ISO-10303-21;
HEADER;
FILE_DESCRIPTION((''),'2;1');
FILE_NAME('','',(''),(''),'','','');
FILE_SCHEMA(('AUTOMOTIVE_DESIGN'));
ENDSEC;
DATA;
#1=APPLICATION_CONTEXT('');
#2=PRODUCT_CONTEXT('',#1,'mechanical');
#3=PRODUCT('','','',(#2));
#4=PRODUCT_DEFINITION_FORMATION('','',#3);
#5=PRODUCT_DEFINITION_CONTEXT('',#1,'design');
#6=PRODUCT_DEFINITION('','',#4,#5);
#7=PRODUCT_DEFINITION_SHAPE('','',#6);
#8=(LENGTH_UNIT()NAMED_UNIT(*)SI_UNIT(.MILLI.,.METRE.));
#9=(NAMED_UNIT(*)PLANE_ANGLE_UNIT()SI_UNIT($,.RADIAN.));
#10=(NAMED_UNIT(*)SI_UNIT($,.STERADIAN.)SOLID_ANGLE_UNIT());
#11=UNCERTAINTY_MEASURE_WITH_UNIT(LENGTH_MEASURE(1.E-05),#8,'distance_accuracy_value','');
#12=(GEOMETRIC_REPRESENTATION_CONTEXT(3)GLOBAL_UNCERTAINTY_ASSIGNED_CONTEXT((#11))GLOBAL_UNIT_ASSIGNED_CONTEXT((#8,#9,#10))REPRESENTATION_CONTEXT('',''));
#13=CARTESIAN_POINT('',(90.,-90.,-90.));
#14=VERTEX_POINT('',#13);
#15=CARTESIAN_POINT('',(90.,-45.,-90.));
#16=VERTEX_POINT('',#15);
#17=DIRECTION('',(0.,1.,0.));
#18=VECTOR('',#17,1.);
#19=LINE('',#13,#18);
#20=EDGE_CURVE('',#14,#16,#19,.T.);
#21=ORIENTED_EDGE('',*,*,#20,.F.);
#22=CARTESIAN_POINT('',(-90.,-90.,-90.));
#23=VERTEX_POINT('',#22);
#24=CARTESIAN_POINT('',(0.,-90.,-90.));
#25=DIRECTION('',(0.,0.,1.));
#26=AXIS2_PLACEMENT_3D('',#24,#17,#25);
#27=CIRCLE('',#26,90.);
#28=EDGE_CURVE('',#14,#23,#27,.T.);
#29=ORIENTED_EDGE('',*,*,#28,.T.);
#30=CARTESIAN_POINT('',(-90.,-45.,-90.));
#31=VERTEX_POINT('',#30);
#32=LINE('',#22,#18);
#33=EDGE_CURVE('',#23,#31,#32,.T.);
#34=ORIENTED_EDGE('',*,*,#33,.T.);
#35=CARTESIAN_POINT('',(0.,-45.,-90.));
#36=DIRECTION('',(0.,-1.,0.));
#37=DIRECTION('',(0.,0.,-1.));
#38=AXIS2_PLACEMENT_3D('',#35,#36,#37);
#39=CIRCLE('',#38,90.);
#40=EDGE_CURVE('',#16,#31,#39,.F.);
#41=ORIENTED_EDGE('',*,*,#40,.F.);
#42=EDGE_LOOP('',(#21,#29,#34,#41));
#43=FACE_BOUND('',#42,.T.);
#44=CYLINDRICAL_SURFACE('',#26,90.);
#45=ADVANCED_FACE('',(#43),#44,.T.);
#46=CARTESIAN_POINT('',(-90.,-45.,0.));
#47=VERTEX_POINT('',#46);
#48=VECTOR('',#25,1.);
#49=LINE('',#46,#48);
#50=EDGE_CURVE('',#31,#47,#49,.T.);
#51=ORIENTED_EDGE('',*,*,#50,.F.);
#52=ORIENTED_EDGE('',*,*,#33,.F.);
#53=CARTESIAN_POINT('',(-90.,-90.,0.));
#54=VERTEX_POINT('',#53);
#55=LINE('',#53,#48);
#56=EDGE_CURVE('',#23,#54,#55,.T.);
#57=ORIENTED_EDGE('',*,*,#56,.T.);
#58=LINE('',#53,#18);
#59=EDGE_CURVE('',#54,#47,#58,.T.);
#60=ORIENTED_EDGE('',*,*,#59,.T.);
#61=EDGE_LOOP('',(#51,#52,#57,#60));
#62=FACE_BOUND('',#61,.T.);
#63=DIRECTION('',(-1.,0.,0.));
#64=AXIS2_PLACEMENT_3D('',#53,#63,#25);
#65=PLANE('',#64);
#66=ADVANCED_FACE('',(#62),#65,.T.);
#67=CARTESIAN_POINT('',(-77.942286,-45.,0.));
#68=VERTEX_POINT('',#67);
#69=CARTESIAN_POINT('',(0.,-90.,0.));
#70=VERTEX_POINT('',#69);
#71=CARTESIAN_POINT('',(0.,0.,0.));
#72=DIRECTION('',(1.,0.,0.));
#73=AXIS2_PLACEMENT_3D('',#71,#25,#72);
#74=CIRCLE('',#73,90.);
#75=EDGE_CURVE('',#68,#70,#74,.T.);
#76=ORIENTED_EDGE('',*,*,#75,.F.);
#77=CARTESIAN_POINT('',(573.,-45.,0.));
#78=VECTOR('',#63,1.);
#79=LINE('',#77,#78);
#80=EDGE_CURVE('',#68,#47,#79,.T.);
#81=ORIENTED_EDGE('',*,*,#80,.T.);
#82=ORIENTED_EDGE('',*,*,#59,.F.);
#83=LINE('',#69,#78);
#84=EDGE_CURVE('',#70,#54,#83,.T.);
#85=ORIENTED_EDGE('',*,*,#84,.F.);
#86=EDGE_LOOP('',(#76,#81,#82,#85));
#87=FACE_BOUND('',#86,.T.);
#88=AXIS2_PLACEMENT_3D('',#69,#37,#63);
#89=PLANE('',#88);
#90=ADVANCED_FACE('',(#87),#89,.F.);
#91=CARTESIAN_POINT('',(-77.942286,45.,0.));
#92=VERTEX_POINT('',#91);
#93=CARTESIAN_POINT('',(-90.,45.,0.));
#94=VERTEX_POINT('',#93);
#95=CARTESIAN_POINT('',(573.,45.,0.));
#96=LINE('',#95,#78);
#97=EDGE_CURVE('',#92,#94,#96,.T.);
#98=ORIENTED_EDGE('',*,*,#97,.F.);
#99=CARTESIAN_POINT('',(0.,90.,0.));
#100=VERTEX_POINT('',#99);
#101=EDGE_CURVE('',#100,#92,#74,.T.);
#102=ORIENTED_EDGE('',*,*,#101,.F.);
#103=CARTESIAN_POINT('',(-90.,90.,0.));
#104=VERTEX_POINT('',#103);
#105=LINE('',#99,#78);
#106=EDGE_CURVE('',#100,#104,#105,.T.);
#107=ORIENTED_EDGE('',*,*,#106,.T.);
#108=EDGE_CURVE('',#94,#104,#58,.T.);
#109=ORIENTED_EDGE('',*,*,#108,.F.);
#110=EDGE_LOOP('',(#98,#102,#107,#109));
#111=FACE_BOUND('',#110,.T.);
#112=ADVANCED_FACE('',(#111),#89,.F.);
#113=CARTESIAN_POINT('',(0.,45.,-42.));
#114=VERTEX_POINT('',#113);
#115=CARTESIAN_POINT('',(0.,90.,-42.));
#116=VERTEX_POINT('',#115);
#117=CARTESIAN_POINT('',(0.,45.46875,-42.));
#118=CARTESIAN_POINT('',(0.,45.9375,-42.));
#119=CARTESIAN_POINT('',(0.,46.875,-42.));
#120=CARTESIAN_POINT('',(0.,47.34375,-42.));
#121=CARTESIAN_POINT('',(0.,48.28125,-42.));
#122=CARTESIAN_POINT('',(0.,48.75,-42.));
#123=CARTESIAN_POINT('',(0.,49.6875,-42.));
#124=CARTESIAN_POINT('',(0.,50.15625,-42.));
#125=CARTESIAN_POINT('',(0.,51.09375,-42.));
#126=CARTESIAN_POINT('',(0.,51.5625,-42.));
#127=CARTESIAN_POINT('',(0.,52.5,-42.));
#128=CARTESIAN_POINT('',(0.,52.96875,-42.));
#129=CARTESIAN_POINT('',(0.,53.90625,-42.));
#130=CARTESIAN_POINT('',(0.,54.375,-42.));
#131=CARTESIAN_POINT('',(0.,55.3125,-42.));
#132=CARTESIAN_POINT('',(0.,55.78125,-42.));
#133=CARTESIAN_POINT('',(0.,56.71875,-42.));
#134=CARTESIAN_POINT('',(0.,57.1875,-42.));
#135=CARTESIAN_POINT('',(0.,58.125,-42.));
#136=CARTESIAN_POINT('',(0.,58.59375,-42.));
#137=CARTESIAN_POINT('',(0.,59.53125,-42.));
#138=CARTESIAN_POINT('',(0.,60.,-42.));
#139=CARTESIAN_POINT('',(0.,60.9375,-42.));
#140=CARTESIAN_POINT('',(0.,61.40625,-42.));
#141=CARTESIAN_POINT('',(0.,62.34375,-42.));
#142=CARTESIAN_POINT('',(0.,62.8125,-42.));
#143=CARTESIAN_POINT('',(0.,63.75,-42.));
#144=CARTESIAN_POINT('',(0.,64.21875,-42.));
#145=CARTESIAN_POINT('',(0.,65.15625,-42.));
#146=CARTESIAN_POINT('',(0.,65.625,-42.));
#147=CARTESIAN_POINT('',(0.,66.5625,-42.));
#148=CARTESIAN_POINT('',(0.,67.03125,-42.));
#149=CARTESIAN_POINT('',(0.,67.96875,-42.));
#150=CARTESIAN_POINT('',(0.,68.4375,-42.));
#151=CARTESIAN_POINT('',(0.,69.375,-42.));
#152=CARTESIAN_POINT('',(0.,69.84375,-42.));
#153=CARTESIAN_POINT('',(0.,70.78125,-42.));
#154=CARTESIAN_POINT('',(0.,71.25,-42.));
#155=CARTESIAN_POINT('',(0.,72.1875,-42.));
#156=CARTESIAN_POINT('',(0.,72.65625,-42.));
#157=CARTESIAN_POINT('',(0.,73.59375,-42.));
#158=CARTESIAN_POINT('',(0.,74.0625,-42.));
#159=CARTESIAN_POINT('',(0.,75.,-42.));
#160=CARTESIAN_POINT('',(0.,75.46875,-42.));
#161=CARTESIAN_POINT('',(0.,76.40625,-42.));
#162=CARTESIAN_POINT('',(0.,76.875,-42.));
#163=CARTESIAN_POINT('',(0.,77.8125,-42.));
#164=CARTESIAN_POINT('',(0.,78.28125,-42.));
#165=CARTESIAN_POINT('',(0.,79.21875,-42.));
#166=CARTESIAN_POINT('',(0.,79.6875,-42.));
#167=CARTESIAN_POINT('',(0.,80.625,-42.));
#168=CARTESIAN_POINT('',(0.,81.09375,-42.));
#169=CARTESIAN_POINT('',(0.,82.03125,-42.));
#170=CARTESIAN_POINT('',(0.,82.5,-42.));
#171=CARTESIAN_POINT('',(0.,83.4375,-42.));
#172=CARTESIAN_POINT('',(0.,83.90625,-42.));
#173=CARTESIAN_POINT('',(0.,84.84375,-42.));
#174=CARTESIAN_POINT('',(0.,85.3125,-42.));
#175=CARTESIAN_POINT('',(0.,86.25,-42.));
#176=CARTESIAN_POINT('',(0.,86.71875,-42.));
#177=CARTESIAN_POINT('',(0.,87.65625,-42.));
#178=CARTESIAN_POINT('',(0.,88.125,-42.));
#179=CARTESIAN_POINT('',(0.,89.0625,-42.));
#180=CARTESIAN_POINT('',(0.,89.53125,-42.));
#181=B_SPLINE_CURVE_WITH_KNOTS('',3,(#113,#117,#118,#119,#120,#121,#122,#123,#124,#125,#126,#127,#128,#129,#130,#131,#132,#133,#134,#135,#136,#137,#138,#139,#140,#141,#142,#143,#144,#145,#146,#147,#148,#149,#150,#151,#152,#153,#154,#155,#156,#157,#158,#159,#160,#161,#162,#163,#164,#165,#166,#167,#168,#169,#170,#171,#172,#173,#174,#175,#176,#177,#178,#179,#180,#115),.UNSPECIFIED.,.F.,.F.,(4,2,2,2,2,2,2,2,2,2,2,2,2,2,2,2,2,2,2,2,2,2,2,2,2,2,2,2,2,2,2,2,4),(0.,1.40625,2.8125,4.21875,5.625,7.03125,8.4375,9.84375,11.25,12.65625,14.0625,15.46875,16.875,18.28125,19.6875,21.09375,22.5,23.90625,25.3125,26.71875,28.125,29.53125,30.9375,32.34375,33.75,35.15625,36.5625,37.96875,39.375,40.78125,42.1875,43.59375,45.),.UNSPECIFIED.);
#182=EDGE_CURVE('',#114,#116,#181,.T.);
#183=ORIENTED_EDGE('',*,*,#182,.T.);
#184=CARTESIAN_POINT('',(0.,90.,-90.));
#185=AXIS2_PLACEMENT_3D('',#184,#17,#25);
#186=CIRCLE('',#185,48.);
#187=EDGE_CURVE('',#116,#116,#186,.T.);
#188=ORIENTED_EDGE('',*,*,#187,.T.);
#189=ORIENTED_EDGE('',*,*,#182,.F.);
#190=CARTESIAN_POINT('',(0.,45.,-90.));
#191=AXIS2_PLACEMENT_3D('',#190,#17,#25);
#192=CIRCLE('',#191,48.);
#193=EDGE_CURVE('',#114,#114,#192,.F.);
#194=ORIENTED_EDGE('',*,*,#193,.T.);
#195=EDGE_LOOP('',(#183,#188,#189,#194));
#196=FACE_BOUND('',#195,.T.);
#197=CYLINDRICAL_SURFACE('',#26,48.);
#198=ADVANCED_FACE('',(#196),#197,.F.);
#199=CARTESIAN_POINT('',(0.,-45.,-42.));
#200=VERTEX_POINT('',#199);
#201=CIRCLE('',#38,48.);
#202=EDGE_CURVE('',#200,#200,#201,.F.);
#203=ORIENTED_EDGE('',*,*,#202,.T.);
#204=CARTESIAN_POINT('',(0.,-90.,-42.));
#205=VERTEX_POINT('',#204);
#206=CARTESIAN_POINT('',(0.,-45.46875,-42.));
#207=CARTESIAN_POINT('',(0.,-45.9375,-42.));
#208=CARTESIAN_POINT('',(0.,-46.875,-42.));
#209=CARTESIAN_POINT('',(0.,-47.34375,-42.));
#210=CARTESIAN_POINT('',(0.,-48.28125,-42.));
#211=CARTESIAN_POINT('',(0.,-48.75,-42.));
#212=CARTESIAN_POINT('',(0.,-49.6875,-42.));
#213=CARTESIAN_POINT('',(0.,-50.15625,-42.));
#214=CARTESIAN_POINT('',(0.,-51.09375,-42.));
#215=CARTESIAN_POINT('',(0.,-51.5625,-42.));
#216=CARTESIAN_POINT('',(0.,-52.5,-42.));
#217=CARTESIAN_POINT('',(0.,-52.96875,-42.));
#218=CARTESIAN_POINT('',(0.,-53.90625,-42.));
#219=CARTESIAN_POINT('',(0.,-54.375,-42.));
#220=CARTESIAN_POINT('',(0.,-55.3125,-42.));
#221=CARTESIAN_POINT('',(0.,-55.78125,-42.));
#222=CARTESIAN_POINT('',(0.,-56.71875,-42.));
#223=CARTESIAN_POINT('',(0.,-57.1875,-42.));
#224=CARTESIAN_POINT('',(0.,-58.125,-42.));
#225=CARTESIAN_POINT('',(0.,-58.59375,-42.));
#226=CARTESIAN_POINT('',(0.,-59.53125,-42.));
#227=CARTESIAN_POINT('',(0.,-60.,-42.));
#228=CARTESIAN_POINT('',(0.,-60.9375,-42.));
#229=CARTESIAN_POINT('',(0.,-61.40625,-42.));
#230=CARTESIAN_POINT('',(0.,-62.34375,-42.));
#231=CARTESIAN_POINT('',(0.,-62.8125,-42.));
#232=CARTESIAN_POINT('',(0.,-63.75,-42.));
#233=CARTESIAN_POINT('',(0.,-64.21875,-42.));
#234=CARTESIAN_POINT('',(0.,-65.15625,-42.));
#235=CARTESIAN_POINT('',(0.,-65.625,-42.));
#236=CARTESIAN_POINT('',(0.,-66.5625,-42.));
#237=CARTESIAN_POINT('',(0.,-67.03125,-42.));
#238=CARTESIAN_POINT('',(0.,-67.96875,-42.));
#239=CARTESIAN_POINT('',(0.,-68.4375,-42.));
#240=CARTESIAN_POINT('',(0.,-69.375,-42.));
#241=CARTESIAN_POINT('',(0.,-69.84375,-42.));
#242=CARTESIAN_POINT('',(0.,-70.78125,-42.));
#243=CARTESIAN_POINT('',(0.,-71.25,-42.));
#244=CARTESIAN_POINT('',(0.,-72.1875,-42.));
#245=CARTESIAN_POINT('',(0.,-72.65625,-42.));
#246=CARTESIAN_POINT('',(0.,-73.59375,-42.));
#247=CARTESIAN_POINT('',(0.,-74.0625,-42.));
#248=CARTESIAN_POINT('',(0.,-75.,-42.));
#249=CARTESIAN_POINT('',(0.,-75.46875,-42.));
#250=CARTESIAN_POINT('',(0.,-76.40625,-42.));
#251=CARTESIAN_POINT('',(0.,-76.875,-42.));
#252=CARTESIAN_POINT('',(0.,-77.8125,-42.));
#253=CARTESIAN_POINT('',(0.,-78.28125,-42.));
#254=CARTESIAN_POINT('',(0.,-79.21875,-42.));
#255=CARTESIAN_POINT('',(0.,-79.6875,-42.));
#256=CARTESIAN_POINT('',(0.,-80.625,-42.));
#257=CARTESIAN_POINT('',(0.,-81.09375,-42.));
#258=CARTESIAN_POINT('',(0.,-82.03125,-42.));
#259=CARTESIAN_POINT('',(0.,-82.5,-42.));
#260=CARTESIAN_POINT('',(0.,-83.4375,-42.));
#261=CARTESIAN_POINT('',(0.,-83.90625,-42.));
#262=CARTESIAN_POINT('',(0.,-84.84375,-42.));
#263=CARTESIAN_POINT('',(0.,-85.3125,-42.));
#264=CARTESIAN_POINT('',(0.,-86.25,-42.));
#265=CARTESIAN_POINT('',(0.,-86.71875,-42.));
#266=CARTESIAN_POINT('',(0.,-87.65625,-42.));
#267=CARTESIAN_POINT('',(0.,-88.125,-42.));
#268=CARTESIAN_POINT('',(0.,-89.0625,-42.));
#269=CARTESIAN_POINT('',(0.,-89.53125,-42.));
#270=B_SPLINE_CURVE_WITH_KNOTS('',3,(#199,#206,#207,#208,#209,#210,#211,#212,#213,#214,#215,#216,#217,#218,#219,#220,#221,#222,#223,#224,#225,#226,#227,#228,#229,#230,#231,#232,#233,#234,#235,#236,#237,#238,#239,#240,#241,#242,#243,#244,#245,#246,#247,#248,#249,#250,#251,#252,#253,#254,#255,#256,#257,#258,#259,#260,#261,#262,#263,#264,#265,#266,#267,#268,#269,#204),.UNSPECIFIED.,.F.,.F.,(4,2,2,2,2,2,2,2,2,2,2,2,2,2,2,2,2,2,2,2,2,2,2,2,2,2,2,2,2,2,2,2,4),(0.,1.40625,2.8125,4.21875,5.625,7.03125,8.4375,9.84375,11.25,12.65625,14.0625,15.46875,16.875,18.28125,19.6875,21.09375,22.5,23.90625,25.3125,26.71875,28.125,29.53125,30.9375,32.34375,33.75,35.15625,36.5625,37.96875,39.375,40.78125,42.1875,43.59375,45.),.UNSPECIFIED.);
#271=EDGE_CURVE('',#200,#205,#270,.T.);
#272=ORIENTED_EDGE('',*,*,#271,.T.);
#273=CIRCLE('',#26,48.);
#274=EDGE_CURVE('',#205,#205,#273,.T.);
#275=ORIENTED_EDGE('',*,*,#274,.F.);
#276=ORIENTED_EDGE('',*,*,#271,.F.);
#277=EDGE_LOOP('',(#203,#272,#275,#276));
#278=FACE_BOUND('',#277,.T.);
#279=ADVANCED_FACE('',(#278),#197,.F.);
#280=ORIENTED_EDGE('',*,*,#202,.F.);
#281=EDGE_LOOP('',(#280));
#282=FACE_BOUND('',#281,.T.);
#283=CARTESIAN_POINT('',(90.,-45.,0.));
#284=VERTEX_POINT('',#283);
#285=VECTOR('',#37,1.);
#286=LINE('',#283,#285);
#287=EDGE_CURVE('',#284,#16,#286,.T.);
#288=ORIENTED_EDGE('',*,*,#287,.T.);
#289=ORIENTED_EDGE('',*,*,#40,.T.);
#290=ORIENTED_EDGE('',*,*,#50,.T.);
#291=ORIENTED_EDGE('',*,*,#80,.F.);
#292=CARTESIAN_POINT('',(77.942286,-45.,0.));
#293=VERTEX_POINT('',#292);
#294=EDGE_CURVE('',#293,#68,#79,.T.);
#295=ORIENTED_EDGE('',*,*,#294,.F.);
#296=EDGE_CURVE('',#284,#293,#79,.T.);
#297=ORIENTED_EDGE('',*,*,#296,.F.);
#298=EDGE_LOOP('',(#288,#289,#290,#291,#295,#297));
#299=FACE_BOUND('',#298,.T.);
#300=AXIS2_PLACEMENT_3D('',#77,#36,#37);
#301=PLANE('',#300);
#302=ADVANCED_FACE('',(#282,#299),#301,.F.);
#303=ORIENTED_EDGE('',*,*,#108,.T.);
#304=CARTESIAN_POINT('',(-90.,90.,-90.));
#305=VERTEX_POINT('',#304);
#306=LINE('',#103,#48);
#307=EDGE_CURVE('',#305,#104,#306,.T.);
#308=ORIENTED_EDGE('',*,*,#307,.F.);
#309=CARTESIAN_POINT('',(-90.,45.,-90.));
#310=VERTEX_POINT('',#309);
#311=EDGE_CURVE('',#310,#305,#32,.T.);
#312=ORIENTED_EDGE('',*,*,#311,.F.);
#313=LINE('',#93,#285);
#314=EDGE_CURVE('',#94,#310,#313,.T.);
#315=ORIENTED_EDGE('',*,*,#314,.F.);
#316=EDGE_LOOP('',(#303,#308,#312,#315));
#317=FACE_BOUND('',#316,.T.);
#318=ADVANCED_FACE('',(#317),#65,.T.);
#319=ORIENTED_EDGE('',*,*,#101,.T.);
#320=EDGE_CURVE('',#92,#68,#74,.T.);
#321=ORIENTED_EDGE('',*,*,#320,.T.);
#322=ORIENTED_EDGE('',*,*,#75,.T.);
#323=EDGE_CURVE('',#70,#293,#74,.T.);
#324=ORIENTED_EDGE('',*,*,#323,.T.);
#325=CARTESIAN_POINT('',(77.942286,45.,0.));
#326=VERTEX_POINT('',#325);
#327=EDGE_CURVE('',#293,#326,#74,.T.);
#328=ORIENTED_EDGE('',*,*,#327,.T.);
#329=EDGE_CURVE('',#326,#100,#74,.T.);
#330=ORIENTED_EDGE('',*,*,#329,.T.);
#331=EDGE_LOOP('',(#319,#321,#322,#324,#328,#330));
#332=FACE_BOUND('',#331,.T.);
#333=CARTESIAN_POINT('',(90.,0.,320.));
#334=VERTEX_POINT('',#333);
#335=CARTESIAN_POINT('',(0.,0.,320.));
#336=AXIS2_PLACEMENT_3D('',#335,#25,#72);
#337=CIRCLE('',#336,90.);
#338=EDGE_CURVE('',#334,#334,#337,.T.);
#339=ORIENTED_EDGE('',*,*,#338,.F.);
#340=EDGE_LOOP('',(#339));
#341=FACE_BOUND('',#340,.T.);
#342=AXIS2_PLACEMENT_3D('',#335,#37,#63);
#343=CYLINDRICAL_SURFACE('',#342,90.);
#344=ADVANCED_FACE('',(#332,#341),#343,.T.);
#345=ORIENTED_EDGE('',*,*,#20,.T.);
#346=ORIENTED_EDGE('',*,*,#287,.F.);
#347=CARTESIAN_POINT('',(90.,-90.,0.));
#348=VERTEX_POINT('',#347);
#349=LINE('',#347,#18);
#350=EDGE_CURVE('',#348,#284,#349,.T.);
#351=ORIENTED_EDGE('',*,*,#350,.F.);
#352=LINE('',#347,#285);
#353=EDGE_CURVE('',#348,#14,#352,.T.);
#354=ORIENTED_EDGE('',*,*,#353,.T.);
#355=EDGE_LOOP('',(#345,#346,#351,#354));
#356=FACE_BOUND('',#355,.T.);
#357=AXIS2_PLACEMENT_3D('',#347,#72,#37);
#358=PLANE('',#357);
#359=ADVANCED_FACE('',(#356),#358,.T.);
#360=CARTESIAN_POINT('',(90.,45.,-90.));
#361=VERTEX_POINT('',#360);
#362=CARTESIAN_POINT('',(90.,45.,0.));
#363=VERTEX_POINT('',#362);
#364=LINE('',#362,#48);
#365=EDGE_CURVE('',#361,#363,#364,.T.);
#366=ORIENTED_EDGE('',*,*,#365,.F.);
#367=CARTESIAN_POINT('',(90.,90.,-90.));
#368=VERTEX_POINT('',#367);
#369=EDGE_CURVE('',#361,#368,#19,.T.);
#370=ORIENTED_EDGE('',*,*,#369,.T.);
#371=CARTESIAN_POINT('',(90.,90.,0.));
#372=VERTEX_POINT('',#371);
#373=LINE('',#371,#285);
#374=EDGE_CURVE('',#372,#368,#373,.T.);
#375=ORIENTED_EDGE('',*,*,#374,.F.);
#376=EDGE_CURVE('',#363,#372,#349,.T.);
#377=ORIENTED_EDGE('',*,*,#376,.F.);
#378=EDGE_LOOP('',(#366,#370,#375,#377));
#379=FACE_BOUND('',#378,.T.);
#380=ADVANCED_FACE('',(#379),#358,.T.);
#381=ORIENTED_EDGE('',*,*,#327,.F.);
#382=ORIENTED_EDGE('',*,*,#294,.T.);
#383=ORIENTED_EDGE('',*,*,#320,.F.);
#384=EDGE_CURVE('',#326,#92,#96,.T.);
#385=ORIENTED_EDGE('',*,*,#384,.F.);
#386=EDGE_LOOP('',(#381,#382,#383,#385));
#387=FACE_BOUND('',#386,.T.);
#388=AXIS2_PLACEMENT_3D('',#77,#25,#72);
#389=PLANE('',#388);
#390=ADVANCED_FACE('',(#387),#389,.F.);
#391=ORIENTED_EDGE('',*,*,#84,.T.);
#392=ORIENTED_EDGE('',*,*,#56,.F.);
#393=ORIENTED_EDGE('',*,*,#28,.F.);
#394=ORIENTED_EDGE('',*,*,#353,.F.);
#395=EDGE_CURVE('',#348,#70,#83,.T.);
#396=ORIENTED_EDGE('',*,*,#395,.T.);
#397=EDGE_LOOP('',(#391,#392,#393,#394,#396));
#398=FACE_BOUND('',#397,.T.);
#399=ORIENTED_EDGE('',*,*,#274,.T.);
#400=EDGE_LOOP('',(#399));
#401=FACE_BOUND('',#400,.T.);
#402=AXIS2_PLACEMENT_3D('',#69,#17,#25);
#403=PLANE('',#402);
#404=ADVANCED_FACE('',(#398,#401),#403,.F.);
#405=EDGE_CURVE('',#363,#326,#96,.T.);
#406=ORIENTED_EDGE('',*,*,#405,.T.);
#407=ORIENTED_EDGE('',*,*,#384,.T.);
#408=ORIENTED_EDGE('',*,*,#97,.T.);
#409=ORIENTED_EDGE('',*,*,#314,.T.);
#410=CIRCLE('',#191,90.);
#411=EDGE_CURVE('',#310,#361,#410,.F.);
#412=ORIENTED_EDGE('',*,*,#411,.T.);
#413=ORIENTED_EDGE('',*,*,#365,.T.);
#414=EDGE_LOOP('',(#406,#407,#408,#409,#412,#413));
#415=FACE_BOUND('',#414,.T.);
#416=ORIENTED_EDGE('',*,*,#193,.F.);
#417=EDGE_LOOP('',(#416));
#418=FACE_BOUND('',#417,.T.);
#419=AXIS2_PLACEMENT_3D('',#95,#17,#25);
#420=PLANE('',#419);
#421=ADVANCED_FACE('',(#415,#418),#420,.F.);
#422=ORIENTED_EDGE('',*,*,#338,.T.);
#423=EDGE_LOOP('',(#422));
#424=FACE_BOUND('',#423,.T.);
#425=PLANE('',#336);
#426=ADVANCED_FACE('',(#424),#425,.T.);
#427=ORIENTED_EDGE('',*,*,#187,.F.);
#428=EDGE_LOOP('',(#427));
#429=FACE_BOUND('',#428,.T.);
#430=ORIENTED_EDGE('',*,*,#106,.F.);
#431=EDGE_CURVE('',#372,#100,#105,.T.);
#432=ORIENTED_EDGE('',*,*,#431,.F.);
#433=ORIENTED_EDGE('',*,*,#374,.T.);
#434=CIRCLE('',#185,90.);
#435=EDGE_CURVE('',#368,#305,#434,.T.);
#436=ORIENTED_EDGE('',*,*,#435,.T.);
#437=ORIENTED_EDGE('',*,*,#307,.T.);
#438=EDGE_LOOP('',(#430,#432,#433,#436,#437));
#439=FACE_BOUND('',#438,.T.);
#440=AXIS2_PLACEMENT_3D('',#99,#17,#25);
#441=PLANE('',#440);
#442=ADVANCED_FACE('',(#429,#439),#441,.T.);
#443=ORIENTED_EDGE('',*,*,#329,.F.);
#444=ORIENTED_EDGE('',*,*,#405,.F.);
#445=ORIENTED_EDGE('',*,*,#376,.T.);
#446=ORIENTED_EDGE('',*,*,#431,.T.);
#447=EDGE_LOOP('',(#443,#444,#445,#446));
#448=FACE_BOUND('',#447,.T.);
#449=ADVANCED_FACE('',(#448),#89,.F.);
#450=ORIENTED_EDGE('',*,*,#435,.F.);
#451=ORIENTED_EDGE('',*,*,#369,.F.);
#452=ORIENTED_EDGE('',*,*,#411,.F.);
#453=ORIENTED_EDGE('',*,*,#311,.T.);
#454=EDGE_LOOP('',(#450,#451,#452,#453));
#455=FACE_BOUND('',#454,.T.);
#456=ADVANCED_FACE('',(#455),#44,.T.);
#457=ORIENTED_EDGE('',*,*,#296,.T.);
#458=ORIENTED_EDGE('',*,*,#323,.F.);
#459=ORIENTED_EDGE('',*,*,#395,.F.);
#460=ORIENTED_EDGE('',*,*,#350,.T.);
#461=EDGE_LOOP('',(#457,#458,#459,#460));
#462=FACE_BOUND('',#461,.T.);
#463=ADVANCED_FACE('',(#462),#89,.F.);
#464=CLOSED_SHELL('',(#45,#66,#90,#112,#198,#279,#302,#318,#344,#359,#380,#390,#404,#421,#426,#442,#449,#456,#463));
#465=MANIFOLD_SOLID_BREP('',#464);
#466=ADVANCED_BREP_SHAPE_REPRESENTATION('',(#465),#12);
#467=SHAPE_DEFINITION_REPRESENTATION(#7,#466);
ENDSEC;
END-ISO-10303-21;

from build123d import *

# Parameters (mm, degrees)
SKETCH1_R                = 90
BOSS_EXTRUDE1_DEPTH      = 320
BOSS_EXTRUDE2_DEPTH      = 90
BOSS_EXTRUDE2_DEPTH_BACK = 90
SKETCH2_R                = 48
SKETCH3_W                = 213.4354408
SKETCH3_H                = 90
CUT_EXTRUDE1_DEPTH       = 663


with BuildPart() as part:
    # Sketch1 → Boss-Extrude1 (new body)
    with BuildSketch(Plane.XY):
        Circle(SKETCH1_R)
    extrude(amount=BOSS_EXTRUDE1_DEPTH)

    # Sketch2 → Boss-Extrude2 (add, two sides: drawn at the far end of the back side and taken through both)
    with BuildSketch(Plane(origin=(0, 0, 0), x_dir=(1, 0, 0), z_dir=(0, 1, 0)).offset(-BOSS_EXTRUDE2_DEPTH_BACK)):
        with BuildLine():
            Line((90, 0), (90, 90))
            ThreePointArc((90, 90), (0, 180), (-90, 90))
            Line((-90, 90), (-90, 0))
            Line((-90, 0), (0, 0))
            Line((0, 0), (90, 0))
        make_face()
        with Locations((0, 90)):
            Circle(SKETCH2_R, mode=Mode.SUBTRACT)
    extrude(amount=BOSS_EXTRUDE2_DEPTH + BOSS_EXTRUDE2_DEPTH_BACK)

    # Sketch3 → Cut-Extrude1 (cut)
    with BuildSketch(Plane.ZY.offset(90)):
        with Locations((-106.7177204, 0)):
            Rectangle(SKETCH3_W, SKETCH3_H)
    extrude(amount=-CUT_EXTRUDE1_DEPTH, mode=Mode.SUBTRACT)


solid = part.part
